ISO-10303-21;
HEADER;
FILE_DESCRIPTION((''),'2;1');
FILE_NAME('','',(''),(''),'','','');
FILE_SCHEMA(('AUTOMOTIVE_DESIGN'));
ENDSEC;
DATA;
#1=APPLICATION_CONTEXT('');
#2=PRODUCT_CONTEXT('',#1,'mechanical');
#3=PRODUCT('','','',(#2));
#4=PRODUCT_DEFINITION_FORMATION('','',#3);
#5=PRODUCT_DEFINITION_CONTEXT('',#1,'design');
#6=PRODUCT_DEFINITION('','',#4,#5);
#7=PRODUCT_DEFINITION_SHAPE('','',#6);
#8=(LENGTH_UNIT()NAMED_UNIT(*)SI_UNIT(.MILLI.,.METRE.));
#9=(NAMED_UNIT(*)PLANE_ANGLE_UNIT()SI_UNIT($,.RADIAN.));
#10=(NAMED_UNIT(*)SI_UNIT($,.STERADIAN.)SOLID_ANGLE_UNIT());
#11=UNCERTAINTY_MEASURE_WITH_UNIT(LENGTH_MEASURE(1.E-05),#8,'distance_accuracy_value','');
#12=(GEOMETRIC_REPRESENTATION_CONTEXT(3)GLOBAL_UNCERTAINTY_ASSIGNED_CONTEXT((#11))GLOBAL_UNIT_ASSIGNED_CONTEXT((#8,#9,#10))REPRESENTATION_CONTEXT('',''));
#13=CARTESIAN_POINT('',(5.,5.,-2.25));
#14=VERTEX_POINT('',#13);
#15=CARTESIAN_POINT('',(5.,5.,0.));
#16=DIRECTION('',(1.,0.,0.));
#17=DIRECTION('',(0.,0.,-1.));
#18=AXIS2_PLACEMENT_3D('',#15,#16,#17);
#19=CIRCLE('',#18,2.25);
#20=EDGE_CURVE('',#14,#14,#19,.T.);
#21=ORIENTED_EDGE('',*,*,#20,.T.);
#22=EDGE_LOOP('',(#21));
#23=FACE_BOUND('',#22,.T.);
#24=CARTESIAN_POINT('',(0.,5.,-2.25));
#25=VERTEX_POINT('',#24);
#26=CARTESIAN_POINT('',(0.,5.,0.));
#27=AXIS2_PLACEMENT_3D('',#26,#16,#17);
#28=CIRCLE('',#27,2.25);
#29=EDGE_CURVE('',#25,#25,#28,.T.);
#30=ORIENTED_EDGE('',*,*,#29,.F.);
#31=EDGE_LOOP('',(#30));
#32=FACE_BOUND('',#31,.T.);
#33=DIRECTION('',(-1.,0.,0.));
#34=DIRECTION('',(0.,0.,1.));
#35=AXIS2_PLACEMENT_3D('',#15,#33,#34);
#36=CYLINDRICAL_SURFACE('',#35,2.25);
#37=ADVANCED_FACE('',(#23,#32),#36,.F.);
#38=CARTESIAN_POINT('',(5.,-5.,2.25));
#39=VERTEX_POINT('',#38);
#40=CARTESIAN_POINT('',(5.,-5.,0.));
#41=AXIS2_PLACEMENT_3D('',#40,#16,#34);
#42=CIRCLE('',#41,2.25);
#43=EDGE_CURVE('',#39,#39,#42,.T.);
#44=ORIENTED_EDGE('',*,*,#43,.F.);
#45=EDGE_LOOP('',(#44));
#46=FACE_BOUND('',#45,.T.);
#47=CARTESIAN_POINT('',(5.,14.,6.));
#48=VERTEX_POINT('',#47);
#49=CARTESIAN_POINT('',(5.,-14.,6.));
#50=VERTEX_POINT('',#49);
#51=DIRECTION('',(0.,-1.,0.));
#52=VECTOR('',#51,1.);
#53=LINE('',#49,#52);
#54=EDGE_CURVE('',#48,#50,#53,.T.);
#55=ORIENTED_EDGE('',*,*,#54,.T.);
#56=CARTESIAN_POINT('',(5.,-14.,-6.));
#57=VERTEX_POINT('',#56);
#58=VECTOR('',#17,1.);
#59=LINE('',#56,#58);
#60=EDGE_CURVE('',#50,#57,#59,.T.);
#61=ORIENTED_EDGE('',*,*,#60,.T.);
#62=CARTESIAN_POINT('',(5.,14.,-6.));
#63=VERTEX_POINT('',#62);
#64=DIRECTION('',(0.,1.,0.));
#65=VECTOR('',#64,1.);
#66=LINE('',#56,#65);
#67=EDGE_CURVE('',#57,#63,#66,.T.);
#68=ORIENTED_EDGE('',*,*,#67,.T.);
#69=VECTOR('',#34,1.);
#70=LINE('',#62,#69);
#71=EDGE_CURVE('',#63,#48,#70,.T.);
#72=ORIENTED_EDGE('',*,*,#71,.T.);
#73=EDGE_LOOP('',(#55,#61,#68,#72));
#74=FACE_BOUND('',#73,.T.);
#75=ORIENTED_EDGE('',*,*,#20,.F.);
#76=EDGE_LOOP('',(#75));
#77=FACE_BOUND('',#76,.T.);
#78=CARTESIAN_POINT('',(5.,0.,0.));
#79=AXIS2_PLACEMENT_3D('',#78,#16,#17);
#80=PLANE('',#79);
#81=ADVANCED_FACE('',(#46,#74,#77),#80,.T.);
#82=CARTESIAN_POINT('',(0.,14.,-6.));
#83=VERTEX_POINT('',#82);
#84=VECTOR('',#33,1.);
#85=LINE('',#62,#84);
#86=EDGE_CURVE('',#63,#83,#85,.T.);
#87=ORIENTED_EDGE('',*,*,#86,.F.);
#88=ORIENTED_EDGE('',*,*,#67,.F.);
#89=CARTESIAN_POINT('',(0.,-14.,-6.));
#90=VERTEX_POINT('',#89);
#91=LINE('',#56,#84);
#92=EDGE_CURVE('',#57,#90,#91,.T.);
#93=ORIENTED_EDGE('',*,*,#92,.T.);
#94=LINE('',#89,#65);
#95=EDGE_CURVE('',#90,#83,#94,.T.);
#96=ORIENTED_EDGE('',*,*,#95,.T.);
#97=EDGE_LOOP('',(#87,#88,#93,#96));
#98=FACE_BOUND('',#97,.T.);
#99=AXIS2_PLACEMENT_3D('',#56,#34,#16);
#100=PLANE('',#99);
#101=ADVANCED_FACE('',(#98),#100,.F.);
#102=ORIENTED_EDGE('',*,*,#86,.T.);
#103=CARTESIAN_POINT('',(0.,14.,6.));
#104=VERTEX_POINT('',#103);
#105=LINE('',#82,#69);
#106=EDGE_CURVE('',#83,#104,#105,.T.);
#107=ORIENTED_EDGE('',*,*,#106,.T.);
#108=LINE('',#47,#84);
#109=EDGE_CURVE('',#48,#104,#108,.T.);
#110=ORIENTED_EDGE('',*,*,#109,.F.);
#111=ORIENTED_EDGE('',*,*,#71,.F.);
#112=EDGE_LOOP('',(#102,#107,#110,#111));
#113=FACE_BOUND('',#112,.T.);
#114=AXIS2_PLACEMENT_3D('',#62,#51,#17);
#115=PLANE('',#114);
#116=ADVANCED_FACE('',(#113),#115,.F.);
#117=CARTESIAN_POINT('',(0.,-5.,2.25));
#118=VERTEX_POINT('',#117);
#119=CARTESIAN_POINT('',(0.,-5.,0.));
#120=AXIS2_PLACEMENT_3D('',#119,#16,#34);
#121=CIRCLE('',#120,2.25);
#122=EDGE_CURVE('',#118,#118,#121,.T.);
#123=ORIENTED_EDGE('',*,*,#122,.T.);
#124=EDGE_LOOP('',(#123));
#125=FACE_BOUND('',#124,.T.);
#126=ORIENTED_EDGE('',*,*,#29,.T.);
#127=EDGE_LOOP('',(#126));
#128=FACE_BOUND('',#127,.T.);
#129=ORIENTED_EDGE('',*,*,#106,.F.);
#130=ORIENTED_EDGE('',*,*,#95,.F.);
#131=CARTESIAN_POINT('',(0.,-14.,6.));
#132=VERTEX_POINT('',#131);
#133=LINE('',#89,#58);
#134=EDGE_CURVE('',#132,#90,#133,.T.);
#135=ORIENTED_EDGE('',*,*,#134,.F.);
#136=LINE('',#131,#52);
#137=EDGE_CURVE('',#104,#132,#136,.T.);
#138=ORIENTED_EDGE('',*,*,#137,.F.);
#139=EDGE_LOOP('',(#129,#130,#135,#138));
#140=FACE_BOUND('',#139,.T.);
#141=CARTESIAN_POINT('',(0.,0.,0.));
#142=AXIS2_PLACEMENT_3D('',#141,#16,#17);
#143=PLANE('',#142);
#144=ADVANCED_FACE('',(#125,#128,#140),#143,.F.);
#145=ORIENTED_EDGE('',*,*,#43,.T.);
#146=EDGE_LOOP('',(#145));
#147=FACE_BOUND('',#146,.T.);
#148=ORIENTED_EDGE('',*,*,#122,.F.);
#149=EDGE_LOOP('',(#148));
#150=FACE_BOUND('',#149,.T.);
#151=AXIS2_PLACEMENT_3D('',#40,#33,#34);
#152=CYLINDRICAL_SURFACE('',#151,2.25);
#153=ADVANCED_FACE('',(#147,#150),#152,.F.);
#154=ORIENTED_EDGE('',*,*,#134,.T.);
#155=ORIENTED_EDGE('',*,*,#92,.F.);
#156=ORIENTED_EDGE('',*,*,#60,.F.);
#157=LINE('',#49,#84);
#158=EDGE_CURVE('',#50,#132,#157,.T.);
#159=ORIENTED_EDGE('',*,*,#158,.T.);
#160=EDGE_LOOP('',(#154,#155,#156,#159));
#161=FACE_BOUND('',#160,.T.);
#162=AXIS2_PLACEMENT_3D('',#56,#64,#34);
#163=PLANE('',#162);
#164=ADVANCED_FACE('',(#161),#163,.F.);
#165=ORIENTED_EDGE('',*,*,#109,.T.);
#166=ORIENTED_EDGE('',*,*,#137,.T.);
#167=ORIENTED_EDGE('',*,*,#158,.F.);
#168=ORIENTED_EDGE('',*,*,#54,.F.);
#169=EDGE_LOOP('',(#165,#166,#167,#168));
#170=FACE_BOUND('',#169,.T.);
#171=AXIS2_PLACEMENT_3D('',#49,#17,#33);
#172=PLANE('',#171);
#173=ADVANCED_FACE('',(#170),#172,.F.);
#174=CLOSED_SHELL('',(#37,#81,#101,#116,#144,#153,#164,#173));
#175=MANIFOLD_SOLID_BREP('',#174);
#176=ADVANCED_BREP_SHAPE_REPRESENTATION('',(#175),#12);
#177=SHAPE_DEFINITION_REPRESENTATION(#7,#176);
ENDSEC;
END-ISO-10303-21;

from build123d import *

# Parameters (mm, degrees)
SKETCH1_W           = 12
SKETCH1_H           = 28
SKETCH1_R           = 2.25
BOSS_EXTRUDE1_DEPTH = 5


with BuildPart() as part:
    # Sketch1 → Boss-Extrude1 (new body)
    with BuildSketch(Plane(origin=(0, 0, 0), x_dir=(0, 0, -1), z_dir=(1, 0, 0))):
        Rectangle(SKETCH1_W, SKETCH1_H)
        with Locations((0, 5)):
            Circle(SKETCH1_R, mode=Mode.SUBTRACT)
        with Locations((0, -5)):
            Circle(SKETCH1_R, mode=Mode.SUBTRACT)
    extrude(amount=BOSS_EXTRUDE1_DEPTH)


solid = part.part
